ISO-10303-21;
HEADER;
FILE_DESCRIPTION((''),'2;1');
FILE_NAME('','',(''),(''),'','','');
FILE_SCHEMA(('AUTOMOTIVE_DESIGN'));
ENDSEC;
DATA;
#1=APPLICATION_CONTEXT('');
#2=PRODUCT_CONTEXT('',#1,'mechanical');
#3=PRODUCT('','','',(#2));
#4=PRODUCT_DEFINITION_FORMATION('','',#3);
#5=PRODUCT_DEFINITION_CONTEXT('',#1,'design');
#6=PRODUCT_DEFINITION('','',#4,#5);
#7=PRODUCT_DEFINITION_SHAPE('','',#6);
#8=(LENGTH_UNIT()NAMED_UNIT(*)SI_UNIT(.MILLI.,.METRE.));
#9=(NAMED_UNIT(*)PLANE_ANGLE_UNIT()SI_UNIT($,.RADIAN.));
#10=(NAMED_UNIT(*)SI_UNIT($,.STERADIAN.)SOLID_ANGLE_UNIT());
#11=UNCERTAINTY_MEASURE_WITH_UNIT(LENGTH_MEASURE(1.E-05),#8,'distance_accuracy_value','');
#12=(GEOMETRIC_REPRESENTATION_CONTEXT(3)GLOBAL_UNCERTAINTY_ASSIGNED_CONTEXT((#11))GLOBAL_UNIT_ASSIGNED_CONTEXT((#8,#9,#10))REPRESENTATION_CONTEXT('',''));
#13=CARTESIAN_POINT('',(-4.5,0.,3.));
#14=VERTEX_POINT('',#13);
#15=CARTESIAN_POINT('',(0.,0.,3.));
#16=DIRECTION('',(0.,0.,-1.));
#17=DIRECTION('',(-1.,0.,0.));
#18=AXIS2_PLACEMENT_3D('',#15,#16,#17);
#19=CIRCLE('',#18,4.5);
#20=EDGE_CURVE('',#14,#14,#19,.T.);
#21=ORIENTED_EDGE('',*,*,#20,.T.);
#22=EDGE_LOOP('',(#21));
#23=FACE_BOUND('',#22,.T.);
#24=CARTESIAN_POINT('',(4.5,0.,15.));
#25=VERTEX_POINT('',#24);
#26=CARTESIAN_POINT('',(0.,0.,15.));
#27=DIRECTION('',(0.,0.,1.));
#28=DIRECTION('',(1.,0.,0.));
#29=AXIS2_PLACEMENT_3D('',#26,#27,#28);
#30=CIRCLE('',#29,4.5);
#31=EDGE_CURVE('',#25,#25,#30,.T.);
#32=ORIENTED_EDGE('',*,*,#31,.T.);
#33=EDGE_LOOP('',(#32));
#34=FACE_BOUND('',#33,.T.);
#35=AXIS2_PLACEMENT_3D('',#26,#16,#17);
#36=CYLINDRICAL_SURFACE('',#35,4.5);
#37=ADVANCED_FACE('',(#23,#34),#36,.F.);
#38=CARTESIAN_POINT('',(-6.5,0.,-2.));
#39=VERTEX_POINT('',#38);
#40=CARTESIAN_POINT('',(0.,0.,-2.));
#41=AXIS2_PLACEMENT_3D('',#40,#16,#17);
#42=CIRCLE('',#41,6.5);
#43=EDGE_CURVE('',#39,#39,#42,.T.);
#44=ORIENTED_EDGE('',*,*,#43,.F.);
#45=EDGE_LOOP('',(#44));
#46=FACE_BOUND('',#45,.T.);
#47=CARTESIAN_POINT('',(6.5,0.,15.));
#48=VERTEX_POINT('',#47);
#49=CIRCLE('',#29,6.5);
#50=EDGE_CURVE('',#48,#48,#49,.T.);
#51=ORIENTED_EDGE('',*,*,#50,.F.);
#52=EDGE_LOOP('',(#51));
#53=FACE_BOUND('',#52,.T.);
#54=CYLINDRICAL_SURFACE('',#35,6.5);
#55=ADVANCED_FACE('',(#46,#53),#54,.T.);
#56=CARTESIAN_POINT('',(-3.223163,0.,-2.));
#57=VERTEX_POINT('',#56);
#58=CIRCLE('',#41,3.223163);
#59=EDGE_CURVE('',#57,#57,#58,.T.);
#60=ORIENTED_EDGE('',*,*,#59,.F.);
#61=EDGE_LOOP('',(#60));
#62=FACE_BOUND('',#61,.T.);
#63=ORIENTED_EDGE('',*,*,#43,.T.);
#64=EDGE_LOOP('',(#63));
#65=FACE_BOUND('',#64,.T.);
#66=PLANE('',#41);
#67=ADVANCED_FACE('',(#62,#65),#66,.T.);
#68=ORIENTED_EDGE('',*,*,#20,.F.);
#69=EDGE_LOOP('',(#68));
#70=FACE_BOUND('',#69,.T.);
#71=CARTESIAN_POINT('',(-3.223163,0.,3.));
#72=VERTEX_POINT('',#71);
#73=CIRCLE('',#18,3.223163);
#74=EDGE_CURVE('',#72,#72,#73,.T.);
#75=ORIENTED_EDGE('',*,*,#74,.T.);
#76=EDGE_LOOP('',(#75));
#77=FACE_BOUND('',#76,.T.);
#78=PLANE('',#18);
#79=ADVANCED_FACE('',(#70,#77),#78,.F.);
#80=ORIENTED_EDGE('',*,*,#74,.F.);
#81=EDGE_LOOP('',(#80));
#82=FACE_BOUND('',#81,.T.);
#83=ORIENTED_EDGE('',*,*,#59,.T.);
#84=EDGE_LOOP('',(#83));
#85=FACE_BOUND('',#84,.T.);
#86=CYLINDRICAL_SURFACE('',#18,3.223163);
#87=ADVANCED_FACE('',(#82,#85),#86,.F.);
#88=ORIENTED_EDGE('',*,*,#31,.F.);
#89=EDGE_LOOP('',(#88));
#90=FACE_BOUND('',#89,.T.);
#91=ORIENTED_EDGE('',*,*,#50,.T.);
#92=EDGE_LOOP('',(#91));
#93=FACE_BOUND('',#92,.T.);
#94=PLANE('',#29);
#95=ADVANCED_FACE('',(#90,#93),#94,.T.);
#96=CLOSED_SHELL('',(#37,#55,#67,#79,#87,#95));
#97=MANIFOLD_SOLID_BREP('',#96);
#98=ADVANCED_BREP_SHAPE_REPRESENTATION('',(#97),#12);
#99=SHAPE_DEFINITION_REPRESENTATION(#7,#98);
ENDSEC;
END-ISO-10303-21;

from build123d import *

# Parameters (mm, degrees)
SKETCH1_R                = 6.5
SKETCH1_R_2              = 4.5
BOSS_EXTRUDE1_DEPTH      = 15
BOSS_EXTRUDE2_DEPTH      = 2
BOSS_EXTRUDE2_DEPTH_BACK = 3
SKETCH2_R                = 6.5
SKETCH2_R_2              = 3.223163269


with BuildPart() as part:
    # Sketch1 → Boss-Extrude1 (new body)
    with BuildSketch(Plane.XY):
        Circle(SKETCH1_R)
        Circle(SKETCH1_R_2, mode=Mode.SUBTRACT)
    extrude(amount=BOSS_EXTRUDE1_DEPTH)

    # Sketch2 → Boss-Extrude2 (add, two sides: drawn at the far end of the back side and taken through both)
    with BuildSketch(Plane(origin=(0, 0, 0), x_dir=(-1, 0, 0), z_dir=(0, 0, -1)).offset(-BOSS_EXTRUDE2_DEPTH_BACK)):
        Circle(SKETCH2_R)
        Circle(SKETCH2_R_2, mode=Mode.SUBTRACT)
    extrude(amount=BOSS_EXTRUDE2_DEPTH + BOSS_EXTRUDE2_DEPTH_BACK)


solid = part.part
